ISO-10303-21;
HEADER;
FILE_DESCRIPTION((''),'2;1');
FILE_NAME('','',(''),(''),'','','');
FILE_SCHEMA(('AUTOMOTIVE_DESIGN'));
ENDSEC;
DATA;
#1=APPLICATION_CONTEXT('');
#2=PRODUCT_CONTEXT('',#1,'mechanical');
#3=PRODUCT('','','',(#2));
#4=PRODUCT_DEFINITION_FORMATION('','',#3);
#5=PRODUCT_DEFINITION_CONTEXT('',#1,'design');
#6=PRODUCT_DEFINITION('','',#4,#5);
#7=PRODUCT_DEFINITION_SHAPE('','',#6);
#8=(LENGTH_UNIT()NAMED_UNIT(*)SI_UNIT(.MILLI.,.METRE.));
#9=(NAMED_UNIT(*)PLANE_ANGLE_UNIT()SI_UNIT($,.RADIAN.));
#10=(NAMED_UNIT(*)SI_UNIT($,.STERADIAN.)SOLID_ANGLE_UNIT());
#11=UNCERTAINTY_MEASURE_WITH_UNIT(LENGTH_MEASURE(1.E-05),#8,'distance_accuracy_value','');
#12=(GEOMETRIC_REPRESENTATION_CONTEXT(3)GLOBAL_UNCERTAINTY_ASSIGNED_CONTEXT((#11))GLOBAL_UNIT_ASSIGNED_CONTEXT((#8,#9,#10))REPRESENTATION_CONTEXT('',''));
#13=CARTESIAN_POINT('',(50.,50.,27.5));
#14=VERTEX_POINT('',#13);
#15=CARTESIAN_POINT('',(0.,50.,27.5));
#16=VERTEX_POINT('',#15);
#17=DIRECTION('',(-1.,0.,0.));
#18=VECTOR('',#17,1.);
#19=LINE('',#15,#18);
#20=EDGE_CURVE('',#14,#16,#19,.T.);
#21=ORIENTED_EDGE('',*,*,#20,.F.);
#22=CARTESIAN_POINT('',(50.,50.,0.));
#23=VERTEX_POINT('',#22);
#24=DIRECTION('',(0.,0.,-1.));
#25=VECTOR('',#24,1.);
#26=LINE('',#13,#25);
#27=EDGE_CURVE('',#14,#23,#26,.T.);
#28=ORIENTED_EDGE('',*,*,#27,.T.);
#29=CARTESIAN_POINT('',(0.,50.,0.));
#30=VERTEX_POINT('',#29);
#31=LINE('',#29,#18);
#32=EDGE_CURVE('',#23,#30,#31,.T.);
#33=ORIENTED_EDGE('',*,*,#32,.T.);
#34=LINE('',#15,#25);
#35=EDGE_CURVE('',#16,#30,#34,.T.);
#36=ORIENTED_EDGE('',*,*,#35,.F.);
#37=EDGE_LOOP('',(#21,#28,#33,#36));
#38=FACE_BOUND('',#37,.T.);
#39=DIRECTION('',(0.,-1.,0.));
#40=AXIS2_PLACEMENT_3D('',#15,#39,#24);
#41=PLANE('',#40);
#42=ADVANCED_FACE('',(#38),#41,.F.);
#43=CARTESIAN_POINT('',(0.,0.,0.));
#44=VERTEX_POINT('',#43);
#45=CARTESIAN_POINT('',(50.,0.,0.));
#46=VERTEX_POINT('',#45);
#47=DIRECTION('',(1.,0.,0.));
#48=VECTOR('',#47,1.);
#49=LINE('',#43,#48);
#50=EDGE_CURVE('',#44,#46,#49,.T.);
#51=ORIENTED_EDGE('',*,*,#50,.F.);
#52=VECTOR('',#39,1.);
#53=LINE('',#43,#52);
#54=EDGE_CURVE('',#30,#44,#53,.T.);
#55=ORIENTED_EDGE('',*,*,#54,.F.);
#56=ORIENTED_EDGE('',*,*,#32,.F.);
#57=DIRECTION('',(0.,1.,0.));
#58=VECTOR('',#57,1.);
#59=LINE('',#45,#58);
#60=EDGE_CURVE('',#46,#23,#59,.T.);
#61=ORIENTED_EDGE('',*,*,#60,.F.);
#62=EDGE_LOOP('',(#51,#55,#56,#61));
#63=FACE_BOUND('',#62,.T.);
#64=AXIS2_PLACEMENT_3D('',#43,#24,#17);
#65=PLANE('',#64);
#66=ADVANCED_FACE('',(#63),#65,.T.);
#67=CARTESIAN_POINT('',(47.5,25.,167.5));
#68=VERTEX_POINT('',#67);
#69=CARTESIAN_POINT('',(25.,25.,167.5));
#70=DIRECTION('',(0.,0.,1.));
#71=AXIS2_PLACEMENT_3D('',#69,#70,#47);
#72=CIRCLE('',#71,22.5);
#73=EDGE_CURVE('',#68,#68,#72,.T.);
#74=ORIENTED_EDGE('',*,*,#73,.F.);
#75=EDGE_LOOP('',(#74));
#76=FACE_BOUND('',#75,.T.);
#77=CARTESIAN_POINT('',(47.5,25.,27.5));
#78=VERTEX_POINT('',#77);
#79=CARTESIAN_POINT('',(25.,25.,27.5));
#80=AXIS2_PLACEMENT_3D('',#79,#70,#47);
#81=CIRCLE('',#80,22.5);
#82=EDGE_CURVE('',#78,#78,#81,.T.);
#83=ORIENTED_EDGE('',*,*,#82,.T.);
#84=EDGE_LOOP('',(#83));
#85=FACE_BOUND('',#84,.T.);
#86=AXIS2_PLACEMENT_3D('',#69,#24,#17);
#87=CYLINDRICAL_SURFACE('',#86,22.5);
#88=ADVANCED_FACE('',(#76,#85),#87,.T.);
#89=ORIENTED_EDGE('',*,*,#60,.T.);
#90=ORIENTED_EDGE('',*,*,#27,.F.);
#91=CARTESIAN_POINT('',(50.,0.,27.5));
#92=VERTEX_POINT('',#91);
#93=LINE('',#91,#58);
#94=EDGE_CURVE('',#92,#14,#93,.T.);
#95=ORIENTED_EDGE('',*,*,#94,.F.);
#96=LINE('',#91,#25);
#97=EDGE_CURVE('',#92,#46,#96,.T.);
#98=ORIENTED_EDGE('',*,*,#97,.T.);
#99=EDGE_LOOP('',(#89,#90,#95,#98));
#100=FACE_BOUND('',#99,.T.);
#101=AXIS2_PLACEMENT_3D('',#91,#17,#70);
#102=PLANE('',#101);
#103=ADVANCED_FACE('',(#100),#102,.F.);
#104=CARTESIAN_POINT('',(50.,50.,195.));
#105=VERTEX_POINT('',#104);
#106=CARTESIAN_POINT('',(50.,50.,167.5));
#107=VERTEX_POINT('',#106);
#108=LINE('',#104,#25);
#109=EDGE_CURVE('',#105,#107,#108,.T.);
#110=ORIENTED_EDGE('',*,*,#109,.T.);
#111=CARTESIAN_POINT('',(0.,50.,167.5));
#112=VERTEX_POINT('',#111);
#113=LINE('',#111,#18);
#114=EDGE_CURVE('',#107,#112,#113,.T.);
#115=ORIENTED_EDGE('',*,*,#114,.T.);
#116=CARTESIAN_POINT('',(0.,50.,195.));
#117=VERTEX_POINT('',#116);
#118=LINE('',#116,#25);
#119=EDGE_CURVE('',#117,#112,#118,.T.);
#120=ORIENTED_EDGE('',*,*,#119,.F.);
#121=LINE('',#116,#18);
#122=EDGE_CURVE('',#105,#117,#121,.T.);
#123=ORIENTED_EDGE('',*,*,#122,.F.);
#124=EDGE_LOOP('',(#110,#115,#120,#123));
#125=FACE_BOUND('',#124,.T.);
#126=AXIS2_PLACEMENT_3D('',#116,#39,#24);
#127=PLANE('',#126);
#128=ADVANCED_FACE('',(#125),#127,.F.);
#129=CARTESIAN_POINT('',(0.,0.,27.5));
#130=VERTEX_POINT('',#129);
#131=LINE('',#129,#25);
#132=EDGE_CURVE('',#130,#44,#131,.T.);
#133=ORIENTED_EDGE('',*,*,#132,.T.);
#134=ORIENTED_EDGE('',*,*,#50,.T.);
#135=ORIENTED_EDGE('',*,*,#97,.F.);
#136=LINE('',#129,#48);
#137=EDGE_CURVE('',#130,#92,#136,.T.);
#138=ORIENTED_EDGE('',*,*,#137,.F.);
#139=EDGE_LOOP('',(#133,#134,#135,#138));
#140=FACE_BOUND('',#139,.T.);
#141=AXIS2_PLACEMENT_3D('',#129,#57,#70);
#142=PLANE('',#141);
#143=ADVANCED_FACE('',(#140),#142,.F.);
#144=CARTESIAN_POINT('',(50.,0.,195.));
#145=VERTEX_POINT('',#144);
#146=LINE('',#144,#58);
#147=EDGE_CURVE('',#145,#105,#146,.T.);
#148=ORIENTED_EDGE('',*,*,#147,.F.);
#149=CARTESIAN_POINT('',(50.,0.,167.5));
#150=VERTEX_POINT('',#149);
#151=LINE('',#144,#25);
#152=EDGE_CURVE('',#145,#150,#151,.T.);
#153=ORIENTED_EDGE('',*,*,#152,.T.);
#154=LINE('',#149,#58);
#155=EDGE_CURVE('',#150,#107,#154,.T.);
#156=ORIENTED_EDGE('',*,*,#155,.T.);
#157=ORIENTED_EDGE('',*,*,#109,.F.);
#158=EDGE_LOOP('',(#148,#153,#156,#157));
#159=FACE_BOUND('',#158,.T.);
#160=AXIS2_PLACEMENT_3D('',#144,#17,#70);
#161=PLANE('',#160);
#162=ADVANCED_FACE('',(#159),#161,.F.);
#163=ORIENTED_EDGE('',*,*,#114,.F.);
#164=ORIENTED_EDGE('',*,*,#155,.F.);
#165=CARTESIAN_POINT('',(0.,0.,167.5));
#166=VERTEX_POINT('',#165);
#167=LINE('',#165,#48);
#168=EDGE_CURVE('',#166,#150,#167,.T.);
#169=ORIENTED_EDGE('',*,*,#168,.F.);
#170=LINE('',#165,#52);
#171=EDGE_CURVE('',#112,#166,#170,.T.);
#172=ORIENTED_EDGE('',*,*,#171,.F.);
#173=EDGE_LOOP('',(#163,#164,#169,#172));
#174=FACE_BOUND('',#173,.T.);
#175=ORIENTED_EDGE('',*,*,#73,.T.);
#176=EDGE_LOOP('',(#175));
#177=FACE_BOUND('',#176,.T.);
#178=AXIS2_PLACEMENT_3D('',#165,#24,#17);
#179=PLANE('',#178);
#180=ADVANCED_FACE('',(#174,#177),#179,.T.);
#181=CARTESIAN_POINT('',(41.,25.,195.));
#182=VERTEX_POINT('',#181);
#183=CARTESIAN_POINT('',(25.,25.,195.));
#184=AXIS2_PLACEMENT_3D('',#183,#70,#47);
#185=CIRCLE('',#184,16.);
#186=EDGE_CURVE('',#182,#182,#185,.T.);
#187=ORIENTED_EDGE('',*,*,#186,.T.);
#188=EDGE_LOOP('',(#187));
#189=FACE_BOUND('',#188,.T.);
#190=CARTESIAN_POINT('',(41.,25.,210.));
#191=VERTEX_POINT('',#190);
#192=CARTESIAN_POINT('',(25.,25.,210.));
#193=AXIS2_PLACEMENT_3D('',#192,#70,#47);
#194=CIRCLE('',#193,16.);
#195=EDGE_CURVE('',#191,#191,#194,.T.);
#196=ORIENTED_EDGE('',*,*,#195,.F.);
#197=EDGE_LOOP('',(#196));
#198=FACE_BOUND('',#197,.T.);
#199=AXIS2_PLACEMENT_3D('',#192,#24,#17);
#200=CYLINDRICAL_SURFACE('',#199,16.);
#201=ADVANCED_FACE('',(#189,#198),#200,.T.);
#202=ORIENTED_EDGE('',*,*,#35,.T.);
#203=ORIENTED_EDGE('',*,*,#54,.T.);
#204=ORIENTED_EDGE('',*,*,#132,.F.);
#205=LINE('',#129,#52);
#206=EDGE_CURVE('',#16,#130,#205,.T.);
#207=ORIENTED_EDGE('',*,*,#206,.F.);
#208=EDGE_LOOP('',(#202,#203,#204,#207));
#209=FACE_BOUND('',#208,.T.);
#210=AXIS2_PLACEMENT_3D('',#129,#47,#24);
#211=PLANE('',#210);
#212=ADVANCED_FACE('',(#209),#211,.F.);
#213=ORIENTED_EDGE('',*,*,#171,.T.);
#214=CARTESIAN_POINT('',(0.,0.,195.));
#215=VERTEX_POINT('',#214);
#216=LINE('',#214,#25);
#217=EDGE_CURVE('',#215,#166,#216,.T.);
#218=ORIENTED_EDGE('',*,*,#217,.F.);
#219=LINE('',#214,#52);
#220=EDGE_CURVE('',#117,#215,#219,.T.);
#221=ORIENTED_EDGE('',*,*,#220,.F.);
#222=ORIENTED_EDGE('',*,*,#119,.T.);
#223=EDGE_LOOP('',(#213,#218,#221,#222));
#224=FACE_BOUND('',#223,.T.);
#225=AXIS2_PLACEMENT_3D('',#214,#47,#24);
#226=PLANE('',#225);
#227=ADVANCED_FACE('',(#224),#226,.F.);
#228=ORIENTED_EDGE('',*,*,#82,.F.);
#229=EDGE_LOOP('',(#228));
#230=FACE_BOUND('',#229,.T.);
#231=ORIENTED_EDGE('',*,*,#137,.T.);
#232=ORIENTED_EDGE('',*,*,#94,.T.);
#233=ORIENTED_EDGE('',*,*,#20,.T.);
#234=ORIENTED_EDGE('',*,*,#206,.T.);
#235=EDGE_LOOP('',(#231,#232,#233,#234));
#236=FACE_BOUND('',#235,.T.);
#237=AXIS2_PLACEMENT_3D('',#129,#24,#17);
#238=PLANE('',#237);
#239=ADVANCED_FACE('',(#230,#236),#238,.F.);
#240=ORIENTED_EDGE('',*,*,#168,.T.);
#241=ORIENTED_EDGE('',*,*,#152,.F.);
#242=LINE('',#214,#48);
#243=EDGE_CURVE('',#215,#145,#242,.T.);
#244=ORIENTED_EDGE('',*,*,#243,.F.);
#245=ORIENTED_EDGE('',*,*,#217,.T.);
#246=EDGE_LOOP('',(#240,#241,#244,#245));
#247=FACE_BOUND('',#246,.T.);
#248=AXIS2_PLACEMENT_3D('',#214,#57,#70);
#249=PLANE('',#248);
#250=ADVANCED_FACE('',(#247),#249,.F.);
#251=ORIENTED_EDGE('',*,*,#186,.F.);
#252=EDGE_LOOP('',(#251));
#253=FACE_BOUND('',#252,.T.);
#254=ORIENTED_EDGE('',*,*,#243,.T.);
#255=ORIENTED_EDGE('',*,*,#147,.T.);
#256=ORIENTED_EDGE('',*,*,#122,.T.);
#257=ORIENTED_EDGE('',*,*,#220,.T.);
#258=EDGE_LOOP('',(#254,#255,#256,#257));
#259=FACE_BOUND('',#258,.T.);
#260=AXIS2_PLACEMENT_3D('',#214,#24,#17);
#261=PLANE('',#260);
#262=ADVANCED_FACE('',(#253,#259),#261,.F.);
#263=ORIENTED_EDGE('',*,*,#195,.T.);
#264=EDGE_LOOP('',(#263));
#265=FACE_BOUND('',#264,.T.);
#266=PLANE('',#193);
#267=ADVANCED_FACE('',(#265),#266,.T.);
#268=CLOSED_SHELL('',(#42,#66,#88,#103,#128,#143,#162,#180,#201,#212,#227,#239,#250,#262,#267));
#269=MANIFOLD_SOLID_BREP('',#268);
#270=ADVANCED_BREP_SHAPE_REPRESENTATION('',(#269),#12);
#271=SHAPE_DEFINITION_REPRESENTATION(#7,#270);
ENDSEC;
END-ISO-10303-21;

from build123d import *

# Parameters (mm, degrees)
SKETCH1_W           = 50
SKETCH1_H           = 50
BOSS_EXTRUDE1_DEPTH = 27.5
SKETCH3_R           = 22.5
BOSS_EXTRUDE2_DEPTH = 140
SKETCH4_W           = 50
SKETCH4_H           = 50
BOSS_EXTRUDE3_DEPTH = 27.5
SKETCH5_R           = 16
BOSS_EXTRUDE4_DEPTH = 15


with BuildPart() as part:
    # Sketch1 → Boss-Extrude1 (new body)
    with BuildSketch(Plane.XY):
        with Locations((25, 25)):
            Rectangle(SKETCH1_W, SKETCH1_H)
    extrude(amount=BOSS_EXTRUDE1_DEPTH)

    # Sketch3 → Boss-Extrude2 (add)
    with BuildSketch(Plane.XY.offset(27.5)):
        with Locations((25, 25)):
            Circle(SKETCH3_R)
    extrude(amount=BOSS_EXTRUDE2_DEPTH)

    # Sketch4 → Boss-Extrude3 (add)
    with BuildSketch(Plane.XY.offset(167.5)):
        with Locations((25, 25)):
            Rectangle(SKETCH4_W, SKETCH4_H)
    extrude(amount=BOSS_EXTRUDE3_DEPTH)

    # Sketch5 → Boss-Extrude4 (add)
    with BuildSketch(Plane.XY.offset(195)):
        with Locations((25, 25)):
            Circle(SKETCH5_R)
    extrude(amount=BOSS_EXTRUDE4_DEPTH)


solid = part.part
